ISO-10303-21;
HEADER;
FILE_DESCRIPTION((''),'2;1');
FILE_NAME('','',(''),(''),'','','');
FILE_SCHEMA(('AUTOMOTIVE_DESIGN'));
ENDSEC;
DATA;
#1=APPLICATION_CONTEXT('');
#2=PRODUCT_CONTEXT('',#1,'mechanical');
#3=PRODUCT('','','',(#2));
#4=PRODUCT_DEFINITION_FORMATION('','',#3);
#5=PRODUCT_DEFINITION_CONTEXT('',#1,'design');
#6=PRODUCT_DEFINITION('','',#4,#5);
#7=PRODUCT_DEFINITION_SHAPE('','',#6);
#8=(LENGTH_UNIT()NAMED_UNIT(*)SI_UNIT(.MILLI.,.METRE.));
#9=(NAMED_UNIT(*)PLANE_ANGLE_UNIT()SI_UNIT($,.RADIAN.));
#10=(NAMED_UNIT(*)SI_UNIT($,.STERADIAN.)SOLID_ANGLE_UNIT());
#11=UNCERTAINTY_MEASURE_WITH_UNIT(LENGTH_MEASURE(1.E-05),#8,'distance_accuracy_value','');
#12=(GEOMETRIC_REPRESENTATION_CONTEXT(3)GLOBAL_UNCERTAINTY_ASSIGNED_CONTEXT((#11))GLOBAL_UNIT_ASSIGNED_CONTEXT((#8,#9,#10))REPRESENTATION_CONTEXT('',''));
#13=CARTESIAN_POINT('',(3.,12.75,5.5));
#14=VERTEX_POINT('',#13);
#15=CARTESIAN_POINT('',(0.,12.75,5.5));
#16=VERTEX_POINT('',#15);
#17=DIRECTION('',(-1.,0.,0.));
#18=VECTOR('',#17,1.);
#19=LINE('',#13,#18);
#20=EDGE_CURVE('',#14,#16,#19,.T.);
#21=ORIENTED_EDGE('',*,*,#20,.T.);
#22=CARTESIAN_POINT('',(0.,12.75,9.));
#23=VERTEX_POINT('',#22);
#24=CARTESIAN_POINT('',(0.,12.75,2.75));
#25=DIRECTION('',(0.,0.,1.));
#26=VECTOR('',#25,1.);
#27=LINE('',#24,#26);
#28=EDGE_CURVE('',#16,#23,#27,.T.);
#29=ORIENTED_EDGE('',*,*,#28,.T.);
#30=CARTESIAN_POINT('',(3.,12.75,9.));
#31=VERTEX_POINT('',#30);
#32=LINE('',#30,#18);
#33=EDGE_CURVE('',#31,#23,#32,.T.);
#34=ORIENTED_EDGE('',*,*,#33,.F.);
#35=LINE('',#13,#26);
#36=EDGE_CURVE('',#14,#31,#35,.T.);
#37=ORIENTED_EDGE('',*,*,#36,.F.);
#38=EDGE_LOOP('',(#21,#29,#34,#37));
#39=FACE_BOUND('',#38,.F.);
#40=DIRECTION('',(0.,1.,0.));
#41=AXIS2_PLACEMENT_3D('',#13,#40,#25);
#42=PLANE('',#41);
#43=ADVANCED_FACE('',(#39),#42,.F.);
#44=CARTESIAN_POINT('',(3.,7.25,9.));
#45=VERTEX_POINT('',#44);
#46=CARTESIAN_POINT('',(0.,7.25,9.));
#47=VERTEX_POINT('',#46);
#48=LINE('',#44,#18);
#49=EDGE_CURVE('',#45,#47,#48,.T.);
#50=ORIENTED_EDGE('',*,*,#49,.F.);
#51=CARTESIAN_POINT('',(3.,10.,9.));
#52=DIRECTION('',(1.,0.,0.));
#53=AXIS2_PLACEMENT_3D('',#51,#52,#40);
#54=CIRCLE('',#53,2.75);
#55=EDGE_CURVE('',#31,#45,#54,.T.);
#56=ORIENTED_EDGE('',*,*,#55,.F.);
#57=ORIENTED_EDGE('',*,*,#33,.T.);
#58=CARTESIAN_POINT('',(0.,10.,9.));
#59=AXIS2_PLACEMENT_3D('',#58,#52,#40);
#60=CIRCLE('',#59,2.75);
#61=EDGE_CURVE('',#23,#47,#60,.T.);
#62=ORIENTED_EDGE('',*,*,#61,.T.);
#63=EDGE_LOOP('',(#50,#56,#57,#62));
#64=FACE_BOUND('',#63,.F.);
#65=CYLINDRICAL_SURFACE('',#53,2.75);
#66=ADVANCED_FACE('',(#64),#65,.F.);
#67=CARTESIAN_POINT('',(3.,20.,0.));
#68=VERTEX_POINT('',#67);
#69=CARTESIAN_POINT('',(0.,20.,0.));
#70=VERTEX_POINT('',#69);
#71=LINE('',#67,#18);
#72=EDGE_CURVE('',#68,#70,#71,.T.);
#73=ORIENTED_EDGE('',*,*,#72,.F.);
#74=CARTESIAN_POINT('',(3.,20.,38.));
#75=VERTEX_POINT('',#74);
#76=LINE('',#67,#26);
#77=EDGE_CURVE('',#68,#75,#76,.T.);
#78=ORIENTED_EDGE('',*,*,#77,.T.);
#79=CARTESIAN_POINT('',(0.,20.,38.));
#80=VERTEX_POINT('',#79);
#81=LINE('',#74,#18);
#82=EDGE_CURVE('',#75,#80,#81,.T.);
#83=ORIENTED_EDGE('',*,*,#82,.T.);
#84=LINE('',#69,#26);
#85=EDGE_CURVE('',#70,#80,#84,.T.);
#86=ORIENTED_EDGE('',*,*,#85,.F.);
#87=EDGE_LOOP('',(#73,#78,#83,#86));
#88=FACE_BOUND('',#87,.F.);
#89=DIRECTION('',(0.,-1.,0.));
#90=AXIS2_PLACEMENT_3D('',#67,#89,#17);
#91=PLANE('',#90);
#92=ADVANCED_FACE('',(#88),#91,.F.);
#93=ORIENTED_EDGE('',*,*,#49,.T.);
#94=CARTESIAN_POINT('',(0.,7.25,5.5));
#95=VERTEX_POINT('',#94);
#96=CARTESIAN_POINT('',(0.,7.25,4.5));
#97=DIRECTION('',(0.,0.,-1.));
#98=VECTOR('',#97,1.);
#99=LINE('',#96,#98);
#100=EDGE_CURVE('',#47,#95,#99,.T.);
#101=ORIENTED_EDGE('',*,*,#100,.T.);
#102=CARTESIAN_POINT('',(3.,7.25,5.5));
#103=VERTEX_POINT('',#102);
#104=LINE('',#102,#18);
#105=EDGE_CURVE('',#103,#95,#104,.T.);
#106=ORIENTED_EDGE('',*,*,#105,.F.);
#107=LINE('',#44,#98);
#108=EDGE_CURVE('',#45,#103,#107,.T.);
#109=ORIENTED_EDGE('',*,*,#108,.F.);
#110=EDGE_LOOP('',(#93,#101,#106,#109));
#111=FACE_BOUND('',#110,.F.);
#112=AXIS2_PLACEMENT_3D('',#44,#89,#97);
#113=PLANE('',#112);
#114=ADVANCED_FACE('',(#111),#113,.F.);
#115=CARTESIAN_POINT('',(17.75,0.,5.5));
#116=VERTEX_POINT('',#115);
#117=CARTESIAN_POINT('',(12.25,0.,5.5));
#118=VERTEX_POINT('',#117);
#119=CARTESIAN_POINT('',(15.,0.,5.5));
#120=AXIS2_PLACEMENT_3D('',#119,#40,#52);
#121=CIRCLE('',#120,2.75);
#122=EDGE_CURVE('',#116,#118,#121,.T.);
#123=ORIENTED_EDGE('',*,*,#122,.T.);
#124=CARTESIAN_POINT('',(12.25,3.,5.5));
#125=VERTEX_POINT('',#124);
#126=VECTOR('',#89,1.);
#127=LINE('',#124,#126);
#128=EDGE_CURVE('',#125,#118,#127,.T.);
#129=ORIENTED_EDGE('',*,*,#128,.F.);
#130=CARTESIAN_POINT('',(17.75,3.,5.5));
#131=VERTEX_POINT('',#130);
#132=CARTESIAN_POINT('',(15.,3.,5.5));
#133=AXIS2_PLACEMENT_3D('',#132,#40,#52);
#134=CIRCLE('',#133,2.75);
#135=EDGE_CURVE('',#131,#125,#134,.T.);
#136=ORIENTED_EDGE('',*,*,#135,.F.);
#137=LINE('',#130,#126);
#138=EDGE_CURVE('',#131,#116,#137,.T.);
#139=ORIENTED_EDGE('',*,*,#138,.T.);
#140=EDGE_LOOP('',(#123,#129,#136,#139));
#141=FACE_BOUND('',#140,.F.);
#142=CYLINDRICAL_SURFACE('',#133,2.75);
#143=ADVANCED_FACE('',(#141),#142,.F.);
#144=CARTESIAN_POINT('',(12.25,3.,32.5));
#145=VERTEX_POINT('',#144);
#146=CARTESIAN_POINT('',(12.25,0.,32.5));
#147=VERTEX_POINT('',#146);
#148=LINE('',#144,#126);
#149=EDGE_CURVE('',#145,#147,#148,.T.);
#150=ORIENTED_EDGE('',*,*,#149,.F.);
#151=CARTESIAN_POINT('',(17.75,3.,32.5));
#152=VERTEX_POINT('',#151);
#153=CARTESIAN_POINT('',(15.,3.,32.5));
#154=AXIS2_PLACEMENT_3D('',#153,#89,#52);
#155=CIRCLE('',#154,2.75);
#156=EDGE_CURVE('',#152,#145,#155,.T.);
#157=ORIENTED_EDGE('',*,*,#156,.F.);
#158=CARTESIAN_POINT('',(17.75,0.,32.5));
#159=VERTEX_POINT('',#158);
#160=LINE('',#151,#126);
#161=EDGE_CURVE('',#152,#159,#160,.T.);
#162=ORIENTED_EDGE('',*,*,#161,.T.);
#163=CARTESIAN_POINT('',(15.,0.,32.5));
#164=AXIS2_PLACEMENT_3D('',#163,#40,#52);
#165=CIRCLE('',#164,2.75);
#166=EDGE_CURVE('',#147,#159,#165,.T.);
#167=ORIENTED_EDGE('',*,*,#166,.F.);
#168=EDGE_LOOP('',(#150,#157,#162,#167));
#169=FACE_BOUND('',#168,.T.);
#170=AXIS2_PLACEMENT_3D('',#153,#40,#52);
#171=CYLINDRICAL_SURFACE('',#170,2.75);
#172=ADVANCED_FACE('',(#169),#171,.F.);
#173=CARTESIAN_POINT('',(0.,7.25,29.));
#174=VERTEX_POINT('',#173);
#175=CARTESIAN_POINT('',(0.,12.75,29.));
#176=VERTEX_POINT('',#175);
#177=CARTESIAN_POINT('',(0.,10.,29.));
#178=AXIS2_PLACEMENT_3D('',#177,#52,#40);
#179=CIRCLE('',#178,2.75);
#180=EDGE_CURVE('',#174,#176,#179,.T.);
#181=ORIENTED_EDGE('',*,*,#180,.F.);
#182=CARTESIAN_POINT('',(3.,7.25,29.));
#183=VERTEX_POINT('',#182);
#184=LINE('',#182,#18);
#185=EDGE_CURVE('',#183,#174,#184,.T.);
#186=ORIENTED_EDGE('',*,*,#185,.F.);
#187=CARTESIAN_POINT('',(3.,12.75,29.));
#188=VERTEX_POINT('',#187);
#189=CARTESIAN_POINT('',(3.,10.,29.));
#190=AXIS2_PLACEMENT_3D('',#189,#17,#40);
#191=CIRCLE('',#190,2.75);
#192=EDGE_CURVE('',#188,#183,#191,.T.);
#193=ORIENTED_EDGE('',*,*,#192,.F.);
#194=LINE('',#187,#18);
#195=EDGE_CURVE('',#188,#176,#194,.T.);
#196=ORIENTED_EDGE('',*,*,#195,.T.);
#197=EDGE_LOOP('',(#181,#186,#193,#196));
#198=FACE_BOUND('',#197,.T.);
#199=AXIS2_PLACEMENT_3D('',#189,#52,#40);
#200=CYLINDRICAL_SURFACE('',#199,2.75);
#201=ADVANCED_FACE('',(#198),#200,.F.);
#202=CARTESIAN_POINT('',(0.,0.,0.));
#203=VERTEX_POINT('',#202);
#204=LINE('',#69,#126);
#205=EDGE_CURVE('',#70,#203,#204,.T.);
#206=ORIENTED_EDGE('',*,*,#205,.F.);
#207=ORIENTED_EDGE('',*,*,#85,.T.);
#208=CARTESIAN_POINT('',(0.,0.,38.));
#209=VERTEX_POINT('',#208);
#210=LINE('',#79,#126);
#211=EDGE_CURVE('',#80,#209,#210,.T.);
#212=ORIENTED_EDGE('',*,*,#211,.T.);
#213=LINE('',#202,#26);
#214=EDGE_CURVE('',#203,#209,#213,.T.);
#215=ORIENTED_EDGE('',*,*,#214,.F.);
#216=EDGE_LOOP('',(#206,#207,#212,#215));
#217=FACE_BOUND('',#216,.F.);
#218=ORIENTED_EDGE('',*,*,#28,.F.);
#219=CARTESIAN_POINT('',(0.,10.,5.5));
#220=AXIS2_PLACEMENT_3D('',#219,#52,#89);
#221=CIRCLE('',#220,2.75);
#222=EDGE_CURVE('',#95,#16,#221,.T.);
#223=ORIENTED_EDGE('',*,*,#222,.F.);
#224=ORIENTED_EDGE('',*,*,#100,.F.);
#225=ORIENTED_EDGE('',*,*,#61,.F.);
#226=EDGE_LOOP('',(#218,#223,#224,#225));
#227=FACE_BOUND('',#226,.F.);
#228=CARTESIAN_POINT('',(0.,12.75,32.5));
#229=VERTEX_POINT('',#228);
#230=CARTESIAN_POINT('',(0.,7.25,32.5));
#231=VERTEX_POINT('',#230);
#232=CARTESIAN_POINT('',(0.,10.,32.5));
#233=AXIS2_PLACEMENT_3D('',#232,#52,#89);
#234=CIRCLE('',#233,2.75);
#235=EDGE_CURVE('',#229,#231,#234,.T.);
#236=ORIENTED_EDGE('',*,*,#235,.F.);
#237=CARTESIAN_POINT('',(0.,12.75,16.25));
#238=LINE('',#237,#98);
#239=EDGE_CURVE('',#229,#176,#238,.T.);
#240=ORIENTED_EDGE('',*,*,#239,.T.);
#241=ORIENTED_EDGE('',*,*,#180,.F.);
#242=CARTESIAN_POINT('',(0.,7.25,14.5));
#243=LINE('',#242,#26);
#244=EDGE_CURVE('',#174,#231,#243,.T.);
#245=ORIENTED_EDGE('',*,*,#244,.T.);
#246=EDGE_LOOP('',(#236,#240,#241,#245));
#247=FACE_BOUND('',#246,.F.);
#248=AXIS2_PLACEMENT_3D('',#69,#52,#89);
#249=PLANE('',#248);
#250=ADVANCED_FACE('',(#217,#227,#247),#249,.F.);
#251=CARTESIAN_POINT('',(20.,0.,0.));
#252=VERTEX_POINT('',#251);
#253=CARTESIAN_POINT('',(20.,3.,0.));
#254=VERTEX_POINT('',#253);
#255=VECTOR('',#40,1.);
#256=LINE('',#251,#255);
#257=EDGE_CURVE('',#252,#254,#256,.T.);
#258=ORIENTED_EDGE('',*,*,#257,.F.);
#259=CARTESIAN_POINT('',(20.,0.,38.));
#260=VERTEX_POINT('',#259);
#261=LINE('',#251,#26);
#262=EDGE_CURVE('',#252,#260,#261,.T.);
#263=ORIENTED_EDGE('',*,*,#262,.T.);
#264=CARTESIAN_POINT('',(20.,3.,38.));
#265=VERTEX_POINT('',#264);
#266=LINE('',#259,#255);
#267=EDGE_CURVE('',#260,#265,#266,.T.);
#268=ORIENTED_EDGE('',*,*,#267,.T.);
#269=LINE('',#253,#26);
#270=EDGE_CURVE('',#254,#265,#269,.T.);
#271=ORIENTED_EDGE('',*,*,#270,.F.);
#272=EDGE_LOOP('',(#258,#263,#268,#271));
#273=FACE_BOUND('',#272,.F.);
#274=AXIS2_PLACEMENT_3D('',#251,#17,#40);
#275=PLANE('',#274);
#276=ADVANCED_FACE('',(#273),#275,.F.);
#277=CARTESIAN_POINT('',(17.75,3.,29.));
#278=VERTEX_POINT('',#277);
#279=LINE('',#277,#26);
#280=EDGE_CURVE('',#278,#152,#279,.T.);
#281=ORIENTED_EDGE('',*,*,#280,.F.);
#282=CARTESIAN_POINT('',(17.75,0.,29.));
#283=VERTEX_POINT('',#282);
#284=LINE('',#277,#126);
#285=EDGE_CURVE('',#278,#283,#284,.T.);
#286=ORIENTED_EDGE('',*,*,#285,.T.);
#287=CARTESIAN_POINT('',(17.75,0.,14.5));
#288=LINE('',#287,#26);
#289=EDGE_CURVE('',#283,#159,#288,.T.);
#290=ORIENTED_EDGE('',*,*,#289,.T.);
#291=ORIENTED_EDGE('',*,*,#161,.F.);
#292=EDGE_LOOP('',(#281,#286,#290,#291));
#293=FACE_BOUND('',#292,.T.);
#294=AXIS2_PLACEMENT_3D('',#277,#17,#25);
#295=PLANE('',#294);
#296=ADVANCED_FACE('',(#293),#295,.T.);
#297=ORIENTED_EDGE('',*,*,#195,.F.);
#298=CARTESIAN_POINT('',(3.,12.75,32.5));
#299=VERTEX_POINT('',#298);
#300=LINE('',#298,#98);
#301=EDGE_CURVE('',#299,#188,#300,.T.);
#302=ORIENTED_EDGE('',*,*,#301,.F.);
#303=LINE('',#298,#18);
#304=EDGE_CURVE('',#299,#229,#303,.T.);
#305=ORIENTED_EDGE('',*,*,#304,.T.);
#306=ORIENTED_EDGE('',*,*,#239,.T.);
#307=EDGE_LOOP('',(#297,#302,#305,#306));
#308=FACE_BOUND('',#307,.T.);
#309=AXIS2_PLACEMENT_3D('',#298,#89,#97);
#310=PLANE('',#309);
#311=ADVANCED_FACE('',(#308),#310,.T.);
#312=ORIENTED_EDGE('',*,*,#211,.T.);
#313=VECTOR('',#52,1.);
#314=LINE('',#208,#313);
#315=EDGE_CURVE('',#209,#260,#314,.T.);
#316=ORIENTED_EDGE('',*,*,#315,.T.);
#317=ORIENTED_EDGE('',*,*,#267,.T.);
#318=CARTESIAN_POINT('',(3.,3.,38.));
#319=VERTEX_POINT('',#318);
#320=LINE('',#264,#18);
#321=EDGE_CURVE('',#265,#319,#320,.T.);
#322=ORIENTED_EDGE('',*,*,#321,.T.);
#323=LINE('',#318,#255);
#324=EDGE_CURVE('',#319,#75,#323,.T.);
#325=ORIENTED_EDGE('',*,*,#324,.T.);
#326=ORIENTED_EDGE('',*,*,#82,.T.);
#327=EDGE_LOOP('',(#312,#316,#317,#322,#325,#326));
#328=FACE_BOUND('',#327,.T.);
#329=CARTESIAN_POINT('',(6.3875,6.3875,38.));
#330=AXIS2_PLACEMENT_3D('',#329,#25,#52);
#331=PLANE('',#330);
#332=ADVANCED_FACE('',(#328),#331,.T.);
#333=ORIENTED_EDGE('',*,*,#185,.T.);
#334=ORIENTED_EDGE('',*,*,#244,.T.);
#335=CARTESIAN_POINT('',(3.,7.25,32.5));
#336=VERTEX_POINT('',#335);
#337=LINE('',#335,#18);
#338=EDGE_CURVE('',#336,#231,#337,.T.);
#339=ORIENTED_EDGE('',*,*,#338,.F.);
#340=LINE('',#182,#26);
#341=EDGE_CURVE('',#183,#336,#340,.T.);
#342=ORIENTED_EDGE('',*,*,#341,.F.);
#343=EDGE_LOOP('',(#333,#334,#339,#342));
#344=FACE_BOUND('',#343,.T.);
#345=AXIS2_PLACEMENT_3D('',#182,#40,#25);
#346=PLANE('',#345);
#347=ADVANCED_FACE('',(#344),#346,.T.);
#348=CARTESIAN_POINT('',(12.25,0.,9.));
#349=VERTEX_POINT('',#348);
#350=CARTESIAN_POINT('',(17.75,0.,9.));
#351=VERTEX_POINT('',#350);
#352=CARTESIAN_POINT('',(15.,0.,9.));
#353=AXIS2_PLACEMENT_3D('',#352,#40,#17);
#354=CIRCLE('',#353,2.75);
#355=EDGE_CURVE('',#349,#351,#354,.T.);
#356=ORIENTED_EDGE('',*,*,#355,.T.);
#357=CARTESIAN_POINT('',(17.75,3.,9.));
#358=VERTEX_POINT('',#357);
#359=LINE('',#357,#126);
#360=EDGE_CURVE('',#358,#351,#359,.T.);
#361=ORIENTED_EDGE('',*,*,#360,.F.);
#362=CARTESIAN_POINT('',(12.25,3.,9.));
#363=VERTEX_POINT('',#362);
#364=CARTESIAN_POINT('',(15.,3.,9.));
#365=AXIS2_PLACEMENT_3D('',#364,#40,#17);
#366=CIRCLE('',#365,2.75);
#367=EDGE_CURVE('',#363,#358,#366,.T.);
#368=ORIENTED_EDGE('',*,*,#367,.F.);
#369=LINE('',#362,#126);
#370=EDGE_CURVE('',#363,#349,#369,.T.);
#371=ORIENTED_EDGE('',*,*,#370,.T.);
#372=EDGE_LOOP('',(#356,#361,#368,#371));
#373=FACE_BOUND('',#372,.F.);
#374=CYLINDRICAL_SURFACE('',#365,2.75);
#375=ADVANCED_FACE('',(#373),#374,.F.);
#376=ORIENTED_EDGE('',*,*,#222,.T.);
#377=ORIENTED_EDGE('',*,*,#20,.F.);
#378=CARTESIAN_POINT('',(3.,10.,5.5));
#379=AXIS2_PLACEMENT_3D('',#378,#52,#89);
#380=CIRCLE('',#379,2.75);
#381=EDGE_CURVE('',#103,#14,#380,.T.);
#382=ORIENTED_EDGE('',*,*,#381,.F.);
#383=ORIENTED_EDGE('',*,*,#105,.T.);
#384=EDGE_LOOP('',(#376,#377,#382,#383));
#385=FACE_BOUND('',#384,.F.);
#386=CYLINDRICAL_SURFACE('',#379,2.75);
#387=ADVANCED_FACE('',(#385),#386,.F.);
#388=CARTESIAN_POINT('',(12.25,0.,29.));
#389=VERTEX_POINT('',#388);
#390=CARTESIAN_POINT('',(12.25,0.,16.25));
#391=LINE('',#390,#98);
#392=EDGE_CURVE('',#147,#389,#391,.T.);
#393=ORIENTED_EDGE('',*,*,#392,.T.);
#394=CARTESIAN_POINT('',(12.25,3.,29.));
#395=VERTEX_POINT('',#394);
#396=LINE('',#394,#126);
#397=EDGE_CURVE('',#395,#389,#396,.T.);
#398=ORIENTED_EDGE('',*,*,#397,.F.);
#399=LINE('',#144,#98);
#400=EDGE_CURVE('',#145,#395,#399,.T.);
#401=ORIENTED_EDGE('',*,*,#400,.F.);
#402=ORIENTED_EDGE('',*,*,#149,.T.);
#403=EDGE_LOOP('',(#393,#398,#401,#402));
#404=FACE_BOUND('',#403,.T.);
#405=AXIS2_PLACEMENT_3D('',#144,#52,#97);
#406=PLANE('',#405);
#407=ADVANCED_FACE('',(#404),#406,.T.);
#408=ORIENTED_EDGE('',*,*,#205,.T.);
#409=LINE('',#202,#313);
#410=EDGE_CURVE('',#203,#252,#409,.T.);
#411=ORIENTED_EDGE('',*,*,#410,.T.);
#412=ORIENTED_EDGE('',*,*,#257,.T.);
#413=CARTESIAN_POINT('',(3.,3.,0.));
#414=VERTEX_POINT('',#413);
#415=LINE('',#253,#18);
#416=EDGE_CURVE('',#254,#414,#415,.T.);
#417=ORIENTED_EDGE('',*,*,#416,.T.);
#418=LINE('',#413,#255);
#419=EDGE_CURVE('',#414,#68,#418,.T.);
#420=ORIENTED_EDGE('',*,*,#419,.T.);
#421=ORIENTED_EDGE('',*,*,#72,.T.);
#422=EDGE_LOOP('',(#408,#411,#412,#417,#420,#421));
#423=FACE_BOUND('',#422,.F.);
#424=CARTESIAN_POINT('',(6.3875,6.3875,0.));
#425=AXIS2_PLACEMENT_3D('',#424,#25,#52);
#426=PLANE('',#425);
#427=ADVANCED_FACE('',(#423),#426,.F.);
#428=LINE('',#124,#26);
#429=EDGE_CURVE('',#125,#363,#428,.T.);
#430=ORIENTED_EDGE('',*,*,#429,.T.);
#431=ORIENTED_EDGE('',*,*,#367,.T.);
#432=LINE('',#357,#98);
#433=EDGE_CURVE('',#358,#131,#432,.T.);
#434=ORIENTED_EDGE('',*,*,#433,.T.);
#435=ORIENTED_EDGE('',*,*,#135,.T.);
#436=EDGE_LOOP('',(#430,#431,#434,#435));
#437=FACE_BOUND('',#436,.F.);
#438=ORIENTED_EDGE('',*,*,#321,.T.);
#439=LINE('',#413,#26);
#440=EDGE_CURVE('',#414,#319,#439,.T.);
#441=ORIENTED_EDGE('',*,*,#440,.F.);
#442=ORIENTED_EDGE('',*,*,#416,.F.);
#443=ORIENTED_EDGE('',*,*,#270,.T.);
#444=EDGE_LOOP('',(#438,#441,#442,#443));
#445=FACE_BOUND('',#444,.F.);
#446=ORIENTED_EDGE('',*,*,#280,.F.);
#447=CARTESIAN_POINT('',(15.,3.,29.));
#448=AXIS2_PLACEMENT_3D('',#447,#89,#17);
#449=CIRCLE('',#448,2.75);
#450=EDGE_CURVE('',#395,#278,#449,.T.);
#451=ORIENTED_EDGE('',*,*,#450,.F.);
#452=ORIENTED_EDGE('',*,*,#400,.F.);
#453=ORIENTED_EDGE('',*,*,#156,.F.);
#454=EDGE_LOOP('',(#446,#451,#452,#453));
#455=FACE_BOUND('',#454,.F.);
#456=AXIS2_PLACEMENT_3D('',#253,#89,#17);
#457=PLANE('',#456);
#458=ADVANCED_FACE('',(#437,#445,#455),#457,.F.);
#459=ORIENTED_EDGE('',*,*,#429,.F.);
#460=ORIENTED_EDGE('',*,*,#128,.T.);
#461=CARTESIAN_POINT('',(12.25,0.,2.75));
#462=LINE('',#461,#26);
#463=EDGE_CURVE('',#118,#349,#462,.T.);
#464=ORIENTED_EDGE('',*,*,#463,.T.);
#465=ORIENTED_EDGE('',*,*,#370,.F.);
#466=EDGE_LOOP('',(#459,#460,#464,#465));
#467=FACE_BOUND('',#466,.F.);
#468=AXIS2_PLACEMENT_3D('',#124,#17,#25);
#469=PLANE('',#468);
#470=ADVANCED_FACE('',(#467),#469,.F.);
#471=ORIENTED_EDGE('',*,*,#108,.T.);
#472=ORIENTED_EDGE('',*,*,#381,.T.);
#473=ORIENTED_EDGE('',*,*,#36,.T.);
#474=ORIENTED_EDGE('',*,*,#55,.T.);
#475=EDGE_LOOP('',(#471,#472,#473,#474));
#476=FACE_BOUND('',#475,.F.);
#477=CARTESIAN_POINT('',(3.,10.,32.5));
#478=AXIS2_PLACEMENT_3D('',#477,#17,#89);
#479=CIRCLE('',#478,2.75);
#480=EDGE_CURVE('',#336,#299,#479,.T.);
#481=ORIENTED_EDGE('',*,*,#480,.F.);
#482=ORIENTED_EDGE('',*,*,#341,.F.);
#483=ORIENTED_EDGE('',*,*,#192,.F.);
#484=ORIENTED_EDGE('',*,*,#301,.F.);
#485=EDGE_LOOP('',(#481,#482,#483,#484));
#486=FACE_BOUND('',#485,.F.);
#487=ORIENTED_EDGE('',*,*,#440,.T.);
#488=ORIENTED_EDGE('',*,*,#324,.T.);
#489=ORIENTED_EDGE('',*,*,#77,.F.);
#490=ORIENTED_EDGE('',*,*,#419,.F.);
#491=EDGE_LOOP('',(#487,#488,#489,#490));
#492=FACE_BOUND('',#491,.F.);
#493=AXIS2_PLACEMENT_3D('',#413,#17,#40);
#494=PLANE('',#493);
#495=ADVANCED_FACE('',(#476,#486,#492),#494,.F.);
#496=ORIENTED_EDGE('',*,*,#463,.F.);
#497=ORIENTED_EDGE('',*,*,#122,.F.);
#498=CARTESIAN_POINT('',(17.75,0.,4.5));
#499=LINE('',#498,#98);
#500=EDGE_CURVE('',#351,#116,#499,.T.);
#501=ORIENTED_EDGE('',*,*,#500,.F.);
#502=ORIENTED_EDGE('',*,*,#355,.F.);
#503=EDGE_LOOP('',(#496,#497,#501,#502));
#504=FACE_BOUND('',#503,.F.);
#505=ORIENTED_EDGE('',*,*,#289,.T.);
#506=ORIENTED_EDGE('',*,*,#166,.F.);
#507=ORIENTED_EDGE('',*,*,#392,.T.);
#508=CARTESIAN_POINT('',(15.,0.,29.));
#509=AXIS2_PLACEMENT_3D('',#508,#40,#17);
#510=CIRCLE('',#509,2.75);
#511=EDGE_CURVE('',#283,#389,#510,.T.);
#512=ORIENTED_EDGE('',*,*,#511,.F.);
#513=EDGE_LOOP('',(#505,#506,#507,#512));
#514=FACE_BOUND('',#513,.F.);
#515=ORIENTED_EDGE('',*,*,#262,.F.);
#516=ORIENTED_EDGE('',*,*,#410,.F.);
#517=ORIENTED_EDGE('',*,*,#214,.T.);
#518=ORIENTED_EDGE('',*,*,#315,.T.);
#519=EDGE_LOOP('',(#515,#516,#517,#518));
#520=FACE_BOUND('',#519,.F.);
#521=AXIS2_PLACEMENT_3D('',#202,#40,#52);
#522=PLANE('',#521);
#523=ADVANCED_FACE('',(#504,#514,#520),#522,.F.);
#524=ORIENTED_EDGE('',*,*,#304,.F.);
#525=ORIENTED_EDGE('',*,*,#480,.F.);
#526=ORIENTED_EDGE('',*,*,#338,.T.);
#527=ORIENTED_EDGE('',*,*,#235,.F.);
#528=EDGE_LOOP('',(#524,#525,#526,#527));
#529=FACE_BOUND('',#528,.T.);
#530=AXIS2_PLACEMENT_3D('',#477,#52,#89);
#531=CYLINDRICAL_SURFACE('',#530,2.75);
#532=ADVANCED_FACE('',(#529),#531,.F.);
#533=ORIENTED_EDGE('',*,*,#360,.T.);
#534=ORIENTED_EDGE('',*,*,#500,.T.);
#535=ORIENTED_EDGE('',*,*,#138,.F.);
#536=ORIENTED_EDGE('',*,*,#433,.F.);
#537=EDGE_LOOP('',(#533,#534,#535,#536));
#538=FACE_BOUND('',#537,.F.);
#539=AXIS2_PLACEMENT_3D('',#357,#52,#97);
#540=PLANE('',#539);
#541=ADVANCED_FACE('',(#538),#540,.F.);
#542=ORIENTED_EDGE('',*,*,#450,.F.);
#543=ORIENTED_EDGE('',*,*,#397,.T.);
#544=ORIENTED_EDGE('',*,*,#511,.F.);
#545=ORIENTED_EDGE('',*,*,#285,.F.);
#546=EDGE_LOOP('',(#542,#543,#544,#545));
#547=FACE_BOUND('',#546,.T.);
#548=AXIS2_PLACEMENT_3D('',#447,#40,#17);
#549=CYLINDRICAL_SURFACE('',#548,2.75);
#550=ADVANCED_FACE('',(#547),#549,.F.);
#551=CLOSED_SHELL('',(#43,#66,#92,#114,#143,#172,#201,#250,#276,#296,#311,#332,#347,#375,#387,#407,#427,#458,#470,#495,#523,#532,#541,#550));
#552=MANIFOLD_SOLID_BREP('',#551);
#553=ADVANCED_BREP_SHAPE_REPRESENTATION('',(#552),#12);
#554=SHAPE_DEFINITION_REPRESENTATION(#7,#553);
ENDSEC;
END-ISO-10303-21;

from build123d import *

# Parameters (mm, degrees)
EXTRUDE_THIN1_DEPTH = 38
CUT_EXTRUDE1_DEPTH  = 4
CUT_EXTRUDE2_DEPTH  = 4


with BuildPart() as part:
    # Sketch1 → Extrude-Thin1 (new body)
    with BuildSketch(Plane.XY):
        Polygon((0, 20), (0, 0), (20, 0), (20, 3), (3, 3), (3, 20), align=None)
    extrude(amount=EXTRUDE_THIN1_DEPTH)

    # Sketch2 → Cut-Extrude1 (cut, through all)
    with BuildSketch(Plane(origin=(3, 0, 0), x_dir=(0, 0, -1), z_dir=(1, 0, 0))):
        with BuildLine():
            Line((-29, 7.25), (-32.5, 7.25))
            ThreePointArc((-32.5, 7.25), (-35.25, 10), (-32.5, 12.75))
            Line((-32.5, 12.75), (-29, 12.75))
            ThreePointArc((-29, 12.75), (-26.25, 10), (-29, 7.25))
        make_face()
        with BuildLine():
            Line((-9, 7.25), (-5.5, 7.25))
            ThreePointArc((-5.5, 7.25), (-2.75, 10), (-5.5, 12.75))
            Line((-5.5, 12.75), (-9, 12.75))
            ThreePointArc((-9, 12.75), (-11.75, 10), (-9, 7.25))
        make_face()
    extrude(amount=-CUT_EXTRUDE1_DEPTH, mode=Mode.SUBTRACT)

    # Sketch3 → Cut-Extrude2 (cut, through all)
    with BuildSketch(Plane(origin=(0, 3, 0), x_dir=(1, 0, 0), z_dir=(0, 1, 0))):
        with BuildLine():
            Line((12.25, -32.5), (12.25, -29))
            ThreePointArc((12.25, -29), (15, -26.25), (17.75, -29))
            Line((17.75, -29), (17.75, -32.5))
            ThreePointArc((17.75, -32.5), (15, -35.25), (12.25, -32.5))
        make_face()
        with BuildLine():
            Line((12.25, -5.5), (12.25, -9))
            ThreePointArc((12.25, -9), (15, -11.75), (17.75, -9))
            Line((17.75, -9), (17.75, -5.5))
            ThreePointArc((17.75, -5.5), (15, -2.75), (12.25, -5.5))
        make_face()
    extrude(amount=-CUT_EXTRUDE2_DEPTH, mode=Mode.SUBTRACT)


solid = part.part
